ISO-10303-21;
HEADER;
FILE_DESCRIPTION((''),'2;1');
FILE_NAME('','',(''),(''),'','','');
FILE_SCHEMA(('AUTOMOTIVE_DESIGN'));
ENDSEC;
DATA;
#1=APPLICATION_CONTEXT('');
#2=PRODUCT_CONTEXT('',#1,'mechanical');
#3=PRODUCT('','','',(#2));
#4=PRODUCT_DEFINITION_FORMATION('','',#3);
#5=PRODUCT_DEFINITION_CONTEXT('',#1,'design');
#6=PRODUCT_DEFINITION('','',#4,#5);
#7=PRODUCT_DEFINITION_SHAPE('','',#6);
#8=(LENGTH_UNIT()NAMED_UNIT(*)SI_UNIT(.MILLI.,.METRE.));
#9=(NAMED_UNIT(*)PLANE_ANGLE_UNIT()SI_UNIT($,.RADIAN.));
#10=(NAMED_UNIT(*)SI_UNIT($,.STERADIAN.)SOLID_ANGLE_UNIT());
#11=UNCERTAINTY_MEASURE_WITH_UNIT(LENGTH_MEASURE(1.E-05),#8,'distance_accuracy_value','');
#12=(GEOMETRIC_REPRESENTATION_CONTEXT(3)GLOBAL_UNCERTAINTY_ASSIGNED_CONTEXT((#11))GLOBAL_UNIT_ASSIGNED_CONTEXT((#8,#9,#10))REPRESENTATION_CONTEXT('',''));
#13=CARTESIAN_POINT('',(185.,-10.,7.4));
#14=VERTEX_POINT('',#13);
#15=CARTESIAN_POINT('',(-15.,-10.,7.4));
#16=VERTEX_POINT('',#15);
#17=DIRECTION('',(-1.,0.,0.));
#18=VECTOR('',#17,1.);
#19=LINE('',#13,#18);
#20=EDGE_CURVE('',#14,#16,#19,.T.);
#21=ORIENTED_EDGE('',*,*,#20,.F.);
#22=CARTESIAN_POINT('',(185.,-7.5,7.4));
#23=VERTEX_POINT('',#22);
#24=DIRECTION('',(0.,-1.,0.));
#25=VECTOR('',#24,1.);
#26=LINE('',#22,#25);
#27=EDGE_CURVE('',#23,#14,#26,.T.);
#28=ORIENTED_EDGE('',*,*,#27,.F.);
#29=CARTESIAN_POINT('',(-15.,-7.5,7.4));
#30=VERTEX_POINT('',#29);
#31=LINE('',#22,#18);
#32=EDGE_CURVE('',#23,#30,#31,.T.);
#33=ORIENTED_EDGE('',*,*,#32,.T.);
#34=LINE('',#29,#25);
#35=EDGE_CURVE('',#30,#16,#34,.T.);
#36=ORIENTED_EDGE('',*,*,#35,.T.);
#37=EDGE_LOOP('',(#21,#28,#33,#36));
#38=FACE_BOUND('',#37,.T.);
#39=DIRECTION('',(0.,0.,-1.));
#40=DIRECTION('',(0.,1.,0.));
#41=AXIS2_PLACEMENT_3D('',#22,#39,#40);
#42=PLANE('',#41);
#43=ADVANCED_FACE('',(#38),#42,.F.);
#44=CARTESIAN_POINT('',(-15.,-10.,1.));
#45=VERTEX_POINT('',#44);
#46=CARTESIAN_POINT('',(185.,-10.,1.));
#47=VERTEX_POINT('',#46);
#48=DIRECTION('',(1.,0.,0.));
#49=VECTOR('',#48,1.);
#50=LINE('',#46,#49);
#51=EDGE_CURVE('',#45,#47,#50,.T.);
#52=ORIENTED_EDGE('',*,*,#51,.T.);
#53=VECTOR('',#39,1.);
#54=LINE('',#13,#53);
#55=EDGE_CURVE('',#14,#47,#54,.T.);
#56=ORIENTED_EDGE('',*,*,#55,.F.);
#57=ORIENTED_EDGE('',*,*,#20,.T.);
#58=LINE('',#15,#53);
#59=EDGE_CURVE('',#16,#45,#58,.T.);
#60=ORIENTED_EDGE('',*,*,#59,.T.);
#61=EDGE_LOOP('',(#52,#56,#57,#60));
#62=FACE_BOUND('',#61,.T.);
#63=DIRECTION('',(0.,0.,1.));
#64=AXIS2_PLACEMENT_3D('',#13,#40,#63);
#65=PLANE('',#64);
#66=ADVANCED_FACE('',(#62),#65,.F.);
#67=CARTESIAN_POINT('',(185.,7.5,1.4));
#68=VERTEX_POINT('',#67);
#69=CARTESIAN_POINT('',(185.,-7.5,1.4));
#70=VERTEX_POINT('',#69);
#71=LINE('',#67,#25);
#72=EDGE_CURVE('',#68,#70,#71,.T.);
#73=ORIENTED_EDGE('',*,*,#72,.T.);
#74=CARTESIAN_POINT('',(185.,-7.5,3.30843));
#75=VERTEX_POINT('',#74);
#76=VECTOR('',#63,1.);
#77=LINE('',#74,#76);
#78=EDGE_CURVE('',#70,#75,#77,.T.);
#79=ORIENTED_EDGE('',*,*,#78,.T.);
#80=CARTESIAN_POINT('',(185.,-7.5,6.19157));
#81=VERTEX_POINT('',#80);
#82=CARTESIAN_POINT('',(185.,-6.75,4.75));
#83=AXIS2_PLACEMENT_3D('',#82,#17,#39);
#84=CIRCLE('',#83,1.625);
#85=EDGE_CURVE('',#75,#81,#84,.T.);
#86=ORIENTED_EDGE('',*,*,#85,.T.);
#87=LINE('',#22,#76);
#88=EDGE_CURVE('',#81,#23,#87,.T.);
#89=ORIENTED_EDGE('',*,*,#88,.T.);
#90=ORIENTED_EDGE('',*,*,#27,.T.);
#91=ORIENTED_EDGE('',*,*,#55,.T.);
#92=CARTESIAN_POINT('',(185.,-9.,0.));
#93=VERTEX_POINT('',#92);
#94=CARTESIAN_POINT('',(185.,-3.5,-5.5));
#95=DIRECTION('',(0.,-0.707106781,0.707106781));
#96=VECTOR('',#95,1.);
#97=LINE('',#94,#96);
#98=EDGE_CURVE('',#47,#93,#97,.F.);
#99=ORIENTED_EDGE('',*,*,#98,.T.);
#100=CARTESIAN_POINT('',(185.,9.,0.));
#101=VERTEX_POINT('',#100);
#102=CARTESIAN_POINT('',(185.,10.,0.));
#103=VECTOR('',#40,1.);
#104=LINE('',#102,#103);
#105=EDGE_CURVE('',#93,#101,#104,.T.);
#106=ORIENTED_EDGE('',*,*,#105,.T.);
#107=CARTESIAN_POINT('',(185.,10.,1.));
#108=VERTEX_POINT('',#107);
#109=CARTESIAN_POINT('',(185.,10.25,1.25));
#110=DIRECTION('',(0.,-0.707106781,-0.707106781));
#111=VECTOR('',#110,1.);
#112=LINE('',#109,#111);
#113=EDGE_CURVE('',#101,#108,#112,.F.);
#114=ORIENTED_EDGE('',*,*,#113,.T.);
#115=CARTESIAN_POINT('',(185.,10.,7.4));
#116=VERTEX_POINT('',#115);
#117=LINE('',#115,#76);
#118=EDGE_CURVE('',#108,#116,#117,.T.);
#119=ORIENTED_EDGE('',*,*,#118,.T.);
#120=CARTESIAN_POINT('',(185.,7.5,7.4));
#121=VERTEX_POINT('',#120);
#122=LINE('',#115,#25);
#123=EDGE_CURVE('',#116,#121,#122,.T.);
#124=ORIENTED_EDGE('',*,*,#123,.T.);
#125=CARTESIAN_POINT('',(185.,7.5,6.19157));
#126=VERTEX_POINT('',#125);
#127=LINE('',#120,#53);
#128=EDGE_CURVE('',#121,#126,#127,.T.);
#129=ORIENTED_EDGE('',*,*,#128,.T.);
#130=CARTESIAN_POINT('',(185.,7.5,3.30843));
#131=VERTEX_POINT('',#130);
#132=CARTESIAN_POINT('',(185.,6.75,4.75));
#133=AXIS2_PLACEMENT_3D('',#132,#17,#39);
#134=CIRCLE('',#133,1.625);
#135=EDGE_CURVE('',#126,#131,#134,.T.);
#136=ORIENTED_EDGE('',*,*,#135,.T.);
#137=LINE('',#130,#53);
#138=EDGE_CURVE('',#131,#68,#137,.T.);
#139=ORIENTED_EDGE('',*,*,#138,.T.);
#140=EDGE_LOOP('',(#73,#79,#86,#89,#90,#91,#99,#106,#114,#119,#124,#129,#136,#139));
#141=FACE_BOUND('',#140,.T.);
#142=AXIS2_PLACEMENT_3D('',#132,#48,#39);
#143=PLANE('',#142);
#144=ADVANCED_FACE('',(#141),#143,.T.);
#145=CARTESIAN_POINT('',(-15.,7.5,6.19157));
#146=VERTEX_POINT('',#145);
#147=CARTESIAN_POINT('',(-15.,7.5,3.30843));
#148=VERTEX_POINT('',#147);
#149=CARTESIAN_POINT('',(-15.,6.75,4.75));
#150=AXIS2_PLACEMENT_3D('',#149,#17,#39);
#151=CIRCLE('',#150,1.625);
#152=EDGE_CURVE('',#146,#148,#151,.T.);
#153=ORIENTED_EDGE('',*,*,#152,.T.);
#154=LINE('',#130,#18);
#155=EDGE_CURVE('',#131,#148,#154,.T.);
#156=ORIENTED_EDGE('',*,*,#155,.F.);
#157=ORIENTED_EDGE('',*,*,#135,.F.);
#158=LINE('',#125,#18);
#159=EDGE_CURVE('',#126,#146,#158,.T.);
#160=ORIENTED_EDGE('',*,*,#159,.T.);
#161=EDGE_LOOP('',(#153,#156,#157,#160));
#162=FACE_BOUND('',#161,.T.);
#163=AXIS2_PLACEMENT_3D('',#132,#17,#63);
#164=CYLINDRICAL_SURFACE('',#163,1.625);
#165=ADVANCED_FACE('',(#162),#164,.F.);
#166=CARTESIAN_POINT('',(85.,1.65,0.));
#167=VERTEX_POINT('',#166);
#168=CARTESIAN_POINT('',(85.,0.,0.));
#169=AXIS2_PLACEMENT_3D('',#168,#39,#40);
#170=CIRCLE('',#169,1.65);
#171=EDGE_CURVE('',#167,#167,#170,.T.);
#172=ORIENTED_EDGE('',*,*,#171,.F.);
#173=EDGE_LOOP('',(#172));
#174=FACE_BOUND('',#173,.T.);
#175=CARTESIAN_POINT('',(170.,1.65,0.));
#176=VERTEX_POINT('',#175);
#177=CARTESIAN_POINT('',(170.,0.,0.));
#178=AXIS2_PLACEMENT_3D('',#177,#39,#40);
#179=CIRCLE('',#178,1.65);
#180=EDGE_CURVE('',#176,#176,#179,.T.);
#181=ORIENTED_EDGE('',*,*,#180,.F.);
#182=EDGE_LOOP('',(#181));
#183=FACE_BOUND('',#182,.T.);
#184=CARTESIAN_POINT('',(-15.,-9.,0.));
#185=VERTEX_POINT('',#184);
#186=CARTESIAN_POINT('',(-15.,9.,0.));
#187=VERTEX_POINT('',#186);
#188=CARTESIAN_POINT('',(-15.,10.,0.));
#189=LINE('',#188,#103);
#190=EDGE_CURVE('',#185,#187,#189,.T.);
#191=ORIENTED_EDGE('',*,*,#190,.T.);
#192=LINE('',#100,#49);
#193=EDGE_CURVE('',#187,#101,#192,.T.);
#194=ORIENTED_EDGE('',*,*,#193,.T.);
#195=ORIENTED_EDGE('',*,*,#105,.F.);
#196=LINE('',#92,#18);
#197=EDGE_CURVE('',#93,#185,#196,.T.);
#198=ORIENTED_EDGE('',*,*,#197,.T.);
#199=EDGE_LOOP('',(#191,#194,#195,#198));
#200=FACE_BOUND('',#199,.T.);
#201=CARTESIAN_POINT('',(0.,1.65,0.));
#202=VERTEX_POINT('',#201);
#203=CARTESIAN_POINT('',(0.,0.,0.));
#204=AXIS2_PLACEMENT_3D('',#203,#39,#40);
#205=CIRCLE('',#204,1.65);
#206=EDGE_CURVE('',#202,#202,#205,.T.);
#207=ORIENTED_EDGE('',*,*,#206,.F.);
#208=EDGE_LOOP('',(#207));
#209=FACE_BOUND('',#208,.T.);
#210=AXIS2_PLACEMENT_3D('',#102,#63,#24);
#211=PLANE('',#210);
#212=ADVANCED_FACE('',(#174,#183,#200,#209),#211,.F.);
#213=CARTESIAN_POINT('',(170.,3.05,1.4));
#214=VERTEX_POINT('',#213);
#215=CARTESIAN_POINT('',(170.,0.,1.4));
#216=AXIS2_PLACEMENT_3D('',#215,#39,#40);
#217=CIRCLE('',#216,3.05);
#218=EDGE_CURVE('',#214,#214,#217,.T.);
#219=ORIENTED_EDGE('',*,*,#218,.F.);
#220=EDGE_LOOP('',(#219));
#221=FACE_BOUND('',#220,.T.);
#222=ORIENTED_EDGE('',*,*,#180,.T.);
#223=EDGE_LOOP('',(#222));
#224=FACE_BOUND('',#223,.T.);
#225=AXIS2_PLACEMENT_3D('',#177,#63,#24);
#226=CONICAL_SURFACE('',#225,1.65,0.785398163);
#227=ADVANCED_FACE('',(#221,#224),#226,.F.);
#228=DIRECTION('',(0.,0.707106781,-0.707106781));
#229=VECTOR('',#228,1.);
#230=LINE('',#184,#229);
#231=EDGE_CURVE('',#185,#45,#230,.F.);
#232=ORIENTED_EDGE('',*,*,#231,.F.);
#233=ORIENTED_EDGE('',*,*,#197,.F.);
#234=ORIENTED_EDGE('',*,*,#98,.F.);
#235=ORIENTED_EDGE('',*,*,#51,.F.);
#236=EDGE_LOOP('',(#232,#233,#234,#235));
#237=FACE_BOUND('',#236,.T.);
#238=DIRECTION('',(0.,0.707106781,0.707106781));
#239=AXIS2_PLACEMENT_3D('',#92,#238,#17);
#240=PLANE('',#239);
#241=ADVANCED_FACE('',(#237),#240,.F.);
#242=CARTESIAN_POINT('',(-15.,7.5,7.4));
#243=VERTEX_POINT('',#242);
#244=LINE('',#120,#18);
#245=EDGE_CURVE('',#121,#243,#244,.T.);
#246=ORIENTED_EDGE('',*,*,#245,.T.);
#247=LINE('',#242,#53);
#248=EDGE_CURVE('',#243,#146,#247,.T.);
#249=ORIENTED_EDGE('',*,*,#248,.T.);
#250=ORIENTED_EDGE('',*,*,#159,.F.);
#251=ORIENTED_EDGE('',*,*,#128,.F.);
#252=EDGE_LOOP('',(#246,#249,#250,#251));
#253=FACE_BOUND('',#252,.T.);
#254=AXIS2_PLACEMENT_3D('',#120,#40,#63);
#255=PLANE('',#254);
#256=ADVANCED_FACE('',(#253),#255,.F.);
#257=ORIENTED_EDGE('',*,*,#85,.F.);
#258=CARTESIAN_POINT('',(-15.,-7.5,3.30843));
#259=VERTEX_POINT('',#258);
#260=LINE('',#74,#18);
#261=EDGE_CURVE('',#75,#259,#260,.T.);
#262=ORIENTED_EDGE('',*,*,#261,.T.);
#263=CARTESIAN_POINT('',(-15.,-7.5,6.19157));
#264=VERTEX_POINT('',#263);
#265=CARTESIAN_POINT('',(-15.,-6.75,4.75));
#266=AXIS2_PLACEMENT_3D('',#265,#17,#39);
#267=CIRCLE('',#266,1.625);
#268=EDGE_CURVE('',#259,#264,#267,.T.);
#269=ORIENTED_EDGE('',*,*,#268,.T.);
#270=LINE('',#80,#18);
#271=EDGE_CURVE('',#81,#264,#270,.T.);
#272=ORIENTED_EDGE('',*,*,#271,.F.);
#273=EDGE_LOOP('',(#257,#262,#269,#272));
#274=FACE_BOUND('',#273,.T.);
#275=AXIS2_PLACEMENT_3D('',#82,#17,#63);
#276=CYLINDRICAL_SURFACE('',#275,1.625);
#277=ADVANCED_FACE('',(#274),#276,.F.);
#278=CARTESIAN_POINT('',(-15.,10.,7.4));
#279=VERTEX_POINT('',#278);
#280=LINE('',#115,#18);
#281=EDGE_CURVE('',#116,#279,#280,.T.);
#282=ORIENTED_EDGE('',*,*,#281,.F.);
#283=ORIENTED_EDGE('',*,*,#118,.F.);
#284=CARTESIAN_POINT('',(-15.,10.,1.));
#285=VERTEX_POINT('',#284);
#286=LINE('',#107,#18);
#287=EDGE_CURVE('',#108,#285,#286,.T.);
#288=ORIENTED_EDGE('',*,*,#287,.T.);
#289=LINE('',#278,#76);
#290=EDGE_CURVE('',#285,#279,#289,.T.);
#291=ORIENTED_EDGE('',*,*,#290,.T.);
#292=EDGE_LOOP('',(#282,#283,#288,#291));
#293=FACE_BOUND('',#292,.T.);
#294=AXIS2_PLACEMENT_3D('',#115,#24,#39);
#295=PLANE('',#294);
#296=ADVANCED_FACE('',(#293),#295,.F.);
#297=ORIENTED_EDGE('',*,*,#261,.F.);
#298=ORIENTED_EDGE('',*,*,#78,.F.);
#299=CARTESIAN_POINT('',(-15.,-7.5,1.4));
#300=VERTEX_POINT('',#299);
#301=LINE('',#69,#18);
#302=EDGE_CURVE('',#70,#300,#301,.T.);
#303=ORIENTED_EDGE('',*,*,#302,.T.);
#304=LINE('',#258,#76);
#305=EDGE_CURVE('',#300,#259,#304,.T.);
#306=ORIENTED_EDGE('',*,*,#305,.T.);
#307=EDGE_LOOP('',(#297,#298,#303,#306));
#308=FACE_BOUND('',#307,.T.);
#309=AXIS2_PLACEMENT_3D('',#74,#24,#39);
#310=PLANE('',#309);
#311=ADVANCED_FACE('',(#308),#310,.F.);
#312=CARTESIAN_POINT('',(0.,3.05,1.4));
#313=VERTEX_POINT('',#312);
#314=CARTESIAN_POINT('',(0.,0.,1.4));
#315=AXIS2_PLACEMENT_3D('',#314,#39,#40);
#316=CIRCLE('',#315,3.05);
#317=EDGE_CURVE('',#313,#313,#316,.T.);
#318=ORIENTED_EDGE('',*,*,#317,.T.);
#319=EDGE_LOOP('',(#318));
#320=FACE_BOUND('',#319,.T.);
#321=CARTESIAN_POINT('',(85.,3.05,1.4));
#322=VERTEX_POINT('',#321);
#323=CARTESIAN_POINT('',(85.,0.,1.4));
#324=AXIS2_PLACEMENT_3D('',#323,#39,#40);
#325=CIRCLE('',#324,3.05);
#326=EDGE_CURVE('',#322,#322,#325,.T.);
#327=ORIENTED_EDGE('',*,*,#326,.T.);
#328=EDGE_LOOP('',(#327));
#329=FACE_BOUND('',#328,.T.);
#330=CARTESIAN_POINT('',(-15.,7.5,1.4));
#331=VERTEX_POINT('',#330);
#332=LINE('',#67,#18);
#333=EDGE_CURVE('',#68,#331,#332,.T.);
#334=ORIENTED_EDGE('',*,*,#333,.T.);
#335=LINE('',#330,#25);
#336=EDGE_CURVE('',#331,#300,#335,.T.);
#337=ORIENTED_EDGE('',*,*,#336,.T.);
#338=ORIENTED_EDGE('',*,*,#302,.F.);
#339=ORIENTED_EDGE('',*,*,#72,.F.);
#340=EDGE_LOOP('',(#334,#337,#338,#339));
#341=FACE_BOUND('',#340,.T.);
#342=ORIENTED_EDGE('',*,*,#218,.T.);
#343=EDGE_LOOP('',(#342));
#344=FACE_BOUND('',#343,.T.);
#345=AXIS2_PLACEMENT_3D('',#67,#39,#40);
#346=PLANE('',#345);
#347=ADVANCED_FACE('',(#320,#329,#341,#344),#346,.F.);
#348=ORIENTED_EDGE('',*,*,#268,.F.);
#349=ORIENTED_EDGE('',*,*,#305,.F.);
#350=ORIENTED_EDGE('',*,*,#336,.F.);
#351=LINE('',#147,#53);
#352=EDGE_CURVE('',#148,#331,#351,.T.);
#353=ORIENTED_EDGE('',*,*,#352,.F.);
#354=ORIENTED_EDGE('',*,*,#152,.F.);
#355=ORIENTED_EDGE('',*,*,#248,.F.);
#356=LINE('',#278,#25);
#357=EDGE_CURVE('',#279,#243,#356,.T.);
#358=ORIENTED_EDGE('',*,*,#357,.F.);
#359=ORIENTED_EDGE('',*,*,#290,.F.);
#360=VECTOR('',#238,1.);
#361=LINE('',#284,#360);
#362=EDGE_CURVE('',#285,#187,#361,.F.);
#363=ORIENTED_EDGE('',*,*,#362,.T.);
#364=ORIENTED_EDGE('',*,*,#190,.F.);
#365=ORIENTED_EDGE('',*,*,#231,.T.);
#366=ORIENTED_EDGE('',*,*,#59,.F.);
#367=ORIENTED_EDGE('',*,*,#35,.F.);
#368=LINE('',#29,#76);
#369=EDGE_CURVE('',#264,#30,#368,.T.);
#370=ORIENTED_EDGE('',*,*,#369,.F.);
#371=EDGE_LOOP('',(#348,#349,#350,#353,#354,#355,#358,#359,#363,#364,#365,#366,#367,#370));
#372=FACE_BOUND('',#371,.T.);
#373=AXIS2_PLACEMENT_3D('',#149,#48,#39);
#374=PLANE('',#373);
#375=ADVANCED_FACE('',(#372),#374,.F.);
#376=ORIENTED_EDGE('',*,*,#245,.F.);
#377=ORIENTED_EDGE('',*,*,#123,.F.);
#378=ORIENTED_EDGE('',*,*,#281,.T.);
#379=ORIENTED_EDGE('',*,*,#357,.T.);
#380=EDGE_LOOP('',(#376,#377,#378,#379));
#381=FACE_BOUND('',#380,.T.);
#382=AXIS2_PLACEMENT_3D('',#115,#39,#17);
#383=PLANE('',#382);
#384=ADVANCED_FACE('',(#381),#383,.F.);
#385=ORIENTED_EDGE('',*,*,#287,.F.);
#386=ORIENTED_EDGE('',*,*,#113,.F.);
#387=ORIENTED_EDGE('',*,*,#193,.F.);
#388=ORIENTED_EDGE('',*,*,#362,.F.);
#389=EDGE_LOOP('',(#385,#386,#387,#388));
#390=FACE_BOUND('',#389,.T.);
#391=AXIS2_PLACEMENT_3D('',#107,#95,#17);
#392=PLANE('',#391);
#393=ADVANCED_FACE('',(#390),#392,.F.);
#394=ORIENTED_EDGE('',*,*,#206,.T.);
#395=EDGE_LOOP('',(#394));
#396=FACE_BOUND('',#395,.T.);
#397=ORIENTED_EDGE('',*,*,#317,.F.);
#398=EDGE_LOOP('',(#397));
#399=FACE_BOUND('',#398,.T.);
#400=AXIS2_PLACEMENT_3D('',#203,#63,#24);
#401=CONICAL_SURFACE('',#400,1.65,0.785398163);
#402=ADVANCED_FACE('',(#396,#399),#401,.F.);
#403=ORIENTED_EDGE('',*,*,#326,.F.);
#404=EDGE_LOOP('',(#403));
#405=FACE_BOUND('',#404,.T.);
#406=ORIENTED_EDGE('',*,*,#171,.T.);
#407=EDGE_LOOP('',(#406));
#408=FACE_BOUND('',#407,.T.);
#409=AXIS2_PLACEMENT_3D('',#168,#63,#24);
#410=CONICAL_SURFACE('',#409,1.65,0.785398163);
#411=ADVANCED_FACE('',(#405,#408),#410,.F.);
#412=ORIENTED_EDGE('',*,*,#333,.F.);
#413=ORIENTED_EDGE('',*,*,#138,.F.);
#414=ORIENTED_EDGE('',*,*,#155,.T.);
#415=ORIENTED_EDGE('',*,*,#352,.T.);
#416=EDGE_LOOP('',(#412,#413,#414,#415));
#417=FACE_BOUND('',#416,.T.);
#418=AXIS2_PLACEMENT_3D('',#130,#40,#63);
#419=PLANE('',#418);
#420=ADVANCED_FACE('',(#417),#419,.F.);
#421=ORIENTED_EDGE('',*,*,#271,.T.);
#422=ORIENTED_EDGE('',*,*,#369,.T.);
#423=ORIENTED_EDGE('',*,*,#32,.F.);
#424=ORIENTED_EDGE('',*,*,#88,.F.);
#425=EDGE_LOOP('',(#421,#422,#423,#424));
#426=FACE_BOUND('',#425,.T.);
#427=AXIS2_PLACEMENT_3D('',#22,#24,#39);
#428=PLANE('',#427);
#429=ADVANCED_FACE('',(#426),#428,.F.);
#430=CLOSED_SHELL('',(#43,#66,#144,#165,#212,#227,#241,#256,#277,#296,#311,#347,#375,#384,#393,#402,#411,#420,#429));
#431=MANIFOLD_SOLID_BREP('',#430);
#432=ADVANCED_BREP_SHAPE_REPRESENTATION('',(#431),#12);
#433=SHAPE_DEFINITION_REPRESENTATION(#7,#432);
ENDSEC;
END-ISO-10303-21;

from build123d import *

# Parameters (mm, degrees)
BOSS_EXTRUDE1_DEPTH = 200
CHAMFER1_SIZE       = 1
LPATTERN1_COUNT     = 2
LPATTERN1_PITCH     = 85
LPATTERN2_COUNT     = 2
LPATTERN2_PITCH     = 170


with BuildPart() as part:
    # Sketch1 → Boss-Extrude1 (new body)
    with BuildSketch(Plane(origin=(-15, 0, 0), x_dir=(0, 0, -1), z_dir=(1, 0, 0))):
        with BuildLine():
            Line((-7.4, -7.5), (-7.4, -10))
            Line((-7.4, -10), (0, -10))
            Line((0, -10), (0, 10))
            Line((0, 10), (-7.4, 10))
            Line((-7.4, 10), (-7.4, 7.5))
            Line((-7.4, 7.5), (-6.191570324, 7.5))
            ThreePointArc((-6.191570324, 7.5), (-4.75, 8.375), (-3.308429676, 7.5))
            Line((-3.308429676, 7.5), (-1.4, 7.5))
            Line((-1.4, 7.5), (-1.4, -7.5))
            Line((-1.4, -7.5), (-3.308429676, -7.5))
            ThreePointArc((-3.308429676, -7.5), (-4.75, -8.375), (-6.191570324, -7.5))
            Line((-6.191570324, -7.5), (-7.4, -7.5))
        make_face()
    extrude(amount=BOSS_EXTRUDE1_DEPTH)

    # Chamfer1
    chamfer1_edges = [part.edges().sort_by_distance(p)[0] for p in [
        (85, 10, 0),
        (85, -10, 0),
    ]]
    chamfer(chamfer1_edges, length=CHAMFER1_SIZE)

    # Sketch2 → Cut-Revolve1 (revolve, cut)
    with BuildSketch(Plane(origin=(0, 0, 0), x_dir=(0, 0, -1), z_dir=(1, 0, 0))):
        Polygon((-1.4, 3.05), (0, 1.65), (0, 0), (-1.4, 0), align=None)
    cut_revolve1 = revolve(axis=Axis((0, 0, 0), (0, 0, 1)), mode=Mode.SUBTRACT)

    # LPattern1: Cut-Revolve1 ×2
    with Locations(*[(i * LPATTERN1_PITCH, 0, 0) for i in range(1, LPATTERN1_COUNT)]):
        add(cut_revolve1, mode=Mode.SUBTRACT)

    # LPattern2: Cut-Revolve1 ×2
    with Locations(*[(i * LPATTERN2_PITCH, 0, 0) for i in range(1, LPATTERN2_COUNT)]):
        add(cut_revolve1, mode=Mode.SUBTRACT)


solid = part.part
